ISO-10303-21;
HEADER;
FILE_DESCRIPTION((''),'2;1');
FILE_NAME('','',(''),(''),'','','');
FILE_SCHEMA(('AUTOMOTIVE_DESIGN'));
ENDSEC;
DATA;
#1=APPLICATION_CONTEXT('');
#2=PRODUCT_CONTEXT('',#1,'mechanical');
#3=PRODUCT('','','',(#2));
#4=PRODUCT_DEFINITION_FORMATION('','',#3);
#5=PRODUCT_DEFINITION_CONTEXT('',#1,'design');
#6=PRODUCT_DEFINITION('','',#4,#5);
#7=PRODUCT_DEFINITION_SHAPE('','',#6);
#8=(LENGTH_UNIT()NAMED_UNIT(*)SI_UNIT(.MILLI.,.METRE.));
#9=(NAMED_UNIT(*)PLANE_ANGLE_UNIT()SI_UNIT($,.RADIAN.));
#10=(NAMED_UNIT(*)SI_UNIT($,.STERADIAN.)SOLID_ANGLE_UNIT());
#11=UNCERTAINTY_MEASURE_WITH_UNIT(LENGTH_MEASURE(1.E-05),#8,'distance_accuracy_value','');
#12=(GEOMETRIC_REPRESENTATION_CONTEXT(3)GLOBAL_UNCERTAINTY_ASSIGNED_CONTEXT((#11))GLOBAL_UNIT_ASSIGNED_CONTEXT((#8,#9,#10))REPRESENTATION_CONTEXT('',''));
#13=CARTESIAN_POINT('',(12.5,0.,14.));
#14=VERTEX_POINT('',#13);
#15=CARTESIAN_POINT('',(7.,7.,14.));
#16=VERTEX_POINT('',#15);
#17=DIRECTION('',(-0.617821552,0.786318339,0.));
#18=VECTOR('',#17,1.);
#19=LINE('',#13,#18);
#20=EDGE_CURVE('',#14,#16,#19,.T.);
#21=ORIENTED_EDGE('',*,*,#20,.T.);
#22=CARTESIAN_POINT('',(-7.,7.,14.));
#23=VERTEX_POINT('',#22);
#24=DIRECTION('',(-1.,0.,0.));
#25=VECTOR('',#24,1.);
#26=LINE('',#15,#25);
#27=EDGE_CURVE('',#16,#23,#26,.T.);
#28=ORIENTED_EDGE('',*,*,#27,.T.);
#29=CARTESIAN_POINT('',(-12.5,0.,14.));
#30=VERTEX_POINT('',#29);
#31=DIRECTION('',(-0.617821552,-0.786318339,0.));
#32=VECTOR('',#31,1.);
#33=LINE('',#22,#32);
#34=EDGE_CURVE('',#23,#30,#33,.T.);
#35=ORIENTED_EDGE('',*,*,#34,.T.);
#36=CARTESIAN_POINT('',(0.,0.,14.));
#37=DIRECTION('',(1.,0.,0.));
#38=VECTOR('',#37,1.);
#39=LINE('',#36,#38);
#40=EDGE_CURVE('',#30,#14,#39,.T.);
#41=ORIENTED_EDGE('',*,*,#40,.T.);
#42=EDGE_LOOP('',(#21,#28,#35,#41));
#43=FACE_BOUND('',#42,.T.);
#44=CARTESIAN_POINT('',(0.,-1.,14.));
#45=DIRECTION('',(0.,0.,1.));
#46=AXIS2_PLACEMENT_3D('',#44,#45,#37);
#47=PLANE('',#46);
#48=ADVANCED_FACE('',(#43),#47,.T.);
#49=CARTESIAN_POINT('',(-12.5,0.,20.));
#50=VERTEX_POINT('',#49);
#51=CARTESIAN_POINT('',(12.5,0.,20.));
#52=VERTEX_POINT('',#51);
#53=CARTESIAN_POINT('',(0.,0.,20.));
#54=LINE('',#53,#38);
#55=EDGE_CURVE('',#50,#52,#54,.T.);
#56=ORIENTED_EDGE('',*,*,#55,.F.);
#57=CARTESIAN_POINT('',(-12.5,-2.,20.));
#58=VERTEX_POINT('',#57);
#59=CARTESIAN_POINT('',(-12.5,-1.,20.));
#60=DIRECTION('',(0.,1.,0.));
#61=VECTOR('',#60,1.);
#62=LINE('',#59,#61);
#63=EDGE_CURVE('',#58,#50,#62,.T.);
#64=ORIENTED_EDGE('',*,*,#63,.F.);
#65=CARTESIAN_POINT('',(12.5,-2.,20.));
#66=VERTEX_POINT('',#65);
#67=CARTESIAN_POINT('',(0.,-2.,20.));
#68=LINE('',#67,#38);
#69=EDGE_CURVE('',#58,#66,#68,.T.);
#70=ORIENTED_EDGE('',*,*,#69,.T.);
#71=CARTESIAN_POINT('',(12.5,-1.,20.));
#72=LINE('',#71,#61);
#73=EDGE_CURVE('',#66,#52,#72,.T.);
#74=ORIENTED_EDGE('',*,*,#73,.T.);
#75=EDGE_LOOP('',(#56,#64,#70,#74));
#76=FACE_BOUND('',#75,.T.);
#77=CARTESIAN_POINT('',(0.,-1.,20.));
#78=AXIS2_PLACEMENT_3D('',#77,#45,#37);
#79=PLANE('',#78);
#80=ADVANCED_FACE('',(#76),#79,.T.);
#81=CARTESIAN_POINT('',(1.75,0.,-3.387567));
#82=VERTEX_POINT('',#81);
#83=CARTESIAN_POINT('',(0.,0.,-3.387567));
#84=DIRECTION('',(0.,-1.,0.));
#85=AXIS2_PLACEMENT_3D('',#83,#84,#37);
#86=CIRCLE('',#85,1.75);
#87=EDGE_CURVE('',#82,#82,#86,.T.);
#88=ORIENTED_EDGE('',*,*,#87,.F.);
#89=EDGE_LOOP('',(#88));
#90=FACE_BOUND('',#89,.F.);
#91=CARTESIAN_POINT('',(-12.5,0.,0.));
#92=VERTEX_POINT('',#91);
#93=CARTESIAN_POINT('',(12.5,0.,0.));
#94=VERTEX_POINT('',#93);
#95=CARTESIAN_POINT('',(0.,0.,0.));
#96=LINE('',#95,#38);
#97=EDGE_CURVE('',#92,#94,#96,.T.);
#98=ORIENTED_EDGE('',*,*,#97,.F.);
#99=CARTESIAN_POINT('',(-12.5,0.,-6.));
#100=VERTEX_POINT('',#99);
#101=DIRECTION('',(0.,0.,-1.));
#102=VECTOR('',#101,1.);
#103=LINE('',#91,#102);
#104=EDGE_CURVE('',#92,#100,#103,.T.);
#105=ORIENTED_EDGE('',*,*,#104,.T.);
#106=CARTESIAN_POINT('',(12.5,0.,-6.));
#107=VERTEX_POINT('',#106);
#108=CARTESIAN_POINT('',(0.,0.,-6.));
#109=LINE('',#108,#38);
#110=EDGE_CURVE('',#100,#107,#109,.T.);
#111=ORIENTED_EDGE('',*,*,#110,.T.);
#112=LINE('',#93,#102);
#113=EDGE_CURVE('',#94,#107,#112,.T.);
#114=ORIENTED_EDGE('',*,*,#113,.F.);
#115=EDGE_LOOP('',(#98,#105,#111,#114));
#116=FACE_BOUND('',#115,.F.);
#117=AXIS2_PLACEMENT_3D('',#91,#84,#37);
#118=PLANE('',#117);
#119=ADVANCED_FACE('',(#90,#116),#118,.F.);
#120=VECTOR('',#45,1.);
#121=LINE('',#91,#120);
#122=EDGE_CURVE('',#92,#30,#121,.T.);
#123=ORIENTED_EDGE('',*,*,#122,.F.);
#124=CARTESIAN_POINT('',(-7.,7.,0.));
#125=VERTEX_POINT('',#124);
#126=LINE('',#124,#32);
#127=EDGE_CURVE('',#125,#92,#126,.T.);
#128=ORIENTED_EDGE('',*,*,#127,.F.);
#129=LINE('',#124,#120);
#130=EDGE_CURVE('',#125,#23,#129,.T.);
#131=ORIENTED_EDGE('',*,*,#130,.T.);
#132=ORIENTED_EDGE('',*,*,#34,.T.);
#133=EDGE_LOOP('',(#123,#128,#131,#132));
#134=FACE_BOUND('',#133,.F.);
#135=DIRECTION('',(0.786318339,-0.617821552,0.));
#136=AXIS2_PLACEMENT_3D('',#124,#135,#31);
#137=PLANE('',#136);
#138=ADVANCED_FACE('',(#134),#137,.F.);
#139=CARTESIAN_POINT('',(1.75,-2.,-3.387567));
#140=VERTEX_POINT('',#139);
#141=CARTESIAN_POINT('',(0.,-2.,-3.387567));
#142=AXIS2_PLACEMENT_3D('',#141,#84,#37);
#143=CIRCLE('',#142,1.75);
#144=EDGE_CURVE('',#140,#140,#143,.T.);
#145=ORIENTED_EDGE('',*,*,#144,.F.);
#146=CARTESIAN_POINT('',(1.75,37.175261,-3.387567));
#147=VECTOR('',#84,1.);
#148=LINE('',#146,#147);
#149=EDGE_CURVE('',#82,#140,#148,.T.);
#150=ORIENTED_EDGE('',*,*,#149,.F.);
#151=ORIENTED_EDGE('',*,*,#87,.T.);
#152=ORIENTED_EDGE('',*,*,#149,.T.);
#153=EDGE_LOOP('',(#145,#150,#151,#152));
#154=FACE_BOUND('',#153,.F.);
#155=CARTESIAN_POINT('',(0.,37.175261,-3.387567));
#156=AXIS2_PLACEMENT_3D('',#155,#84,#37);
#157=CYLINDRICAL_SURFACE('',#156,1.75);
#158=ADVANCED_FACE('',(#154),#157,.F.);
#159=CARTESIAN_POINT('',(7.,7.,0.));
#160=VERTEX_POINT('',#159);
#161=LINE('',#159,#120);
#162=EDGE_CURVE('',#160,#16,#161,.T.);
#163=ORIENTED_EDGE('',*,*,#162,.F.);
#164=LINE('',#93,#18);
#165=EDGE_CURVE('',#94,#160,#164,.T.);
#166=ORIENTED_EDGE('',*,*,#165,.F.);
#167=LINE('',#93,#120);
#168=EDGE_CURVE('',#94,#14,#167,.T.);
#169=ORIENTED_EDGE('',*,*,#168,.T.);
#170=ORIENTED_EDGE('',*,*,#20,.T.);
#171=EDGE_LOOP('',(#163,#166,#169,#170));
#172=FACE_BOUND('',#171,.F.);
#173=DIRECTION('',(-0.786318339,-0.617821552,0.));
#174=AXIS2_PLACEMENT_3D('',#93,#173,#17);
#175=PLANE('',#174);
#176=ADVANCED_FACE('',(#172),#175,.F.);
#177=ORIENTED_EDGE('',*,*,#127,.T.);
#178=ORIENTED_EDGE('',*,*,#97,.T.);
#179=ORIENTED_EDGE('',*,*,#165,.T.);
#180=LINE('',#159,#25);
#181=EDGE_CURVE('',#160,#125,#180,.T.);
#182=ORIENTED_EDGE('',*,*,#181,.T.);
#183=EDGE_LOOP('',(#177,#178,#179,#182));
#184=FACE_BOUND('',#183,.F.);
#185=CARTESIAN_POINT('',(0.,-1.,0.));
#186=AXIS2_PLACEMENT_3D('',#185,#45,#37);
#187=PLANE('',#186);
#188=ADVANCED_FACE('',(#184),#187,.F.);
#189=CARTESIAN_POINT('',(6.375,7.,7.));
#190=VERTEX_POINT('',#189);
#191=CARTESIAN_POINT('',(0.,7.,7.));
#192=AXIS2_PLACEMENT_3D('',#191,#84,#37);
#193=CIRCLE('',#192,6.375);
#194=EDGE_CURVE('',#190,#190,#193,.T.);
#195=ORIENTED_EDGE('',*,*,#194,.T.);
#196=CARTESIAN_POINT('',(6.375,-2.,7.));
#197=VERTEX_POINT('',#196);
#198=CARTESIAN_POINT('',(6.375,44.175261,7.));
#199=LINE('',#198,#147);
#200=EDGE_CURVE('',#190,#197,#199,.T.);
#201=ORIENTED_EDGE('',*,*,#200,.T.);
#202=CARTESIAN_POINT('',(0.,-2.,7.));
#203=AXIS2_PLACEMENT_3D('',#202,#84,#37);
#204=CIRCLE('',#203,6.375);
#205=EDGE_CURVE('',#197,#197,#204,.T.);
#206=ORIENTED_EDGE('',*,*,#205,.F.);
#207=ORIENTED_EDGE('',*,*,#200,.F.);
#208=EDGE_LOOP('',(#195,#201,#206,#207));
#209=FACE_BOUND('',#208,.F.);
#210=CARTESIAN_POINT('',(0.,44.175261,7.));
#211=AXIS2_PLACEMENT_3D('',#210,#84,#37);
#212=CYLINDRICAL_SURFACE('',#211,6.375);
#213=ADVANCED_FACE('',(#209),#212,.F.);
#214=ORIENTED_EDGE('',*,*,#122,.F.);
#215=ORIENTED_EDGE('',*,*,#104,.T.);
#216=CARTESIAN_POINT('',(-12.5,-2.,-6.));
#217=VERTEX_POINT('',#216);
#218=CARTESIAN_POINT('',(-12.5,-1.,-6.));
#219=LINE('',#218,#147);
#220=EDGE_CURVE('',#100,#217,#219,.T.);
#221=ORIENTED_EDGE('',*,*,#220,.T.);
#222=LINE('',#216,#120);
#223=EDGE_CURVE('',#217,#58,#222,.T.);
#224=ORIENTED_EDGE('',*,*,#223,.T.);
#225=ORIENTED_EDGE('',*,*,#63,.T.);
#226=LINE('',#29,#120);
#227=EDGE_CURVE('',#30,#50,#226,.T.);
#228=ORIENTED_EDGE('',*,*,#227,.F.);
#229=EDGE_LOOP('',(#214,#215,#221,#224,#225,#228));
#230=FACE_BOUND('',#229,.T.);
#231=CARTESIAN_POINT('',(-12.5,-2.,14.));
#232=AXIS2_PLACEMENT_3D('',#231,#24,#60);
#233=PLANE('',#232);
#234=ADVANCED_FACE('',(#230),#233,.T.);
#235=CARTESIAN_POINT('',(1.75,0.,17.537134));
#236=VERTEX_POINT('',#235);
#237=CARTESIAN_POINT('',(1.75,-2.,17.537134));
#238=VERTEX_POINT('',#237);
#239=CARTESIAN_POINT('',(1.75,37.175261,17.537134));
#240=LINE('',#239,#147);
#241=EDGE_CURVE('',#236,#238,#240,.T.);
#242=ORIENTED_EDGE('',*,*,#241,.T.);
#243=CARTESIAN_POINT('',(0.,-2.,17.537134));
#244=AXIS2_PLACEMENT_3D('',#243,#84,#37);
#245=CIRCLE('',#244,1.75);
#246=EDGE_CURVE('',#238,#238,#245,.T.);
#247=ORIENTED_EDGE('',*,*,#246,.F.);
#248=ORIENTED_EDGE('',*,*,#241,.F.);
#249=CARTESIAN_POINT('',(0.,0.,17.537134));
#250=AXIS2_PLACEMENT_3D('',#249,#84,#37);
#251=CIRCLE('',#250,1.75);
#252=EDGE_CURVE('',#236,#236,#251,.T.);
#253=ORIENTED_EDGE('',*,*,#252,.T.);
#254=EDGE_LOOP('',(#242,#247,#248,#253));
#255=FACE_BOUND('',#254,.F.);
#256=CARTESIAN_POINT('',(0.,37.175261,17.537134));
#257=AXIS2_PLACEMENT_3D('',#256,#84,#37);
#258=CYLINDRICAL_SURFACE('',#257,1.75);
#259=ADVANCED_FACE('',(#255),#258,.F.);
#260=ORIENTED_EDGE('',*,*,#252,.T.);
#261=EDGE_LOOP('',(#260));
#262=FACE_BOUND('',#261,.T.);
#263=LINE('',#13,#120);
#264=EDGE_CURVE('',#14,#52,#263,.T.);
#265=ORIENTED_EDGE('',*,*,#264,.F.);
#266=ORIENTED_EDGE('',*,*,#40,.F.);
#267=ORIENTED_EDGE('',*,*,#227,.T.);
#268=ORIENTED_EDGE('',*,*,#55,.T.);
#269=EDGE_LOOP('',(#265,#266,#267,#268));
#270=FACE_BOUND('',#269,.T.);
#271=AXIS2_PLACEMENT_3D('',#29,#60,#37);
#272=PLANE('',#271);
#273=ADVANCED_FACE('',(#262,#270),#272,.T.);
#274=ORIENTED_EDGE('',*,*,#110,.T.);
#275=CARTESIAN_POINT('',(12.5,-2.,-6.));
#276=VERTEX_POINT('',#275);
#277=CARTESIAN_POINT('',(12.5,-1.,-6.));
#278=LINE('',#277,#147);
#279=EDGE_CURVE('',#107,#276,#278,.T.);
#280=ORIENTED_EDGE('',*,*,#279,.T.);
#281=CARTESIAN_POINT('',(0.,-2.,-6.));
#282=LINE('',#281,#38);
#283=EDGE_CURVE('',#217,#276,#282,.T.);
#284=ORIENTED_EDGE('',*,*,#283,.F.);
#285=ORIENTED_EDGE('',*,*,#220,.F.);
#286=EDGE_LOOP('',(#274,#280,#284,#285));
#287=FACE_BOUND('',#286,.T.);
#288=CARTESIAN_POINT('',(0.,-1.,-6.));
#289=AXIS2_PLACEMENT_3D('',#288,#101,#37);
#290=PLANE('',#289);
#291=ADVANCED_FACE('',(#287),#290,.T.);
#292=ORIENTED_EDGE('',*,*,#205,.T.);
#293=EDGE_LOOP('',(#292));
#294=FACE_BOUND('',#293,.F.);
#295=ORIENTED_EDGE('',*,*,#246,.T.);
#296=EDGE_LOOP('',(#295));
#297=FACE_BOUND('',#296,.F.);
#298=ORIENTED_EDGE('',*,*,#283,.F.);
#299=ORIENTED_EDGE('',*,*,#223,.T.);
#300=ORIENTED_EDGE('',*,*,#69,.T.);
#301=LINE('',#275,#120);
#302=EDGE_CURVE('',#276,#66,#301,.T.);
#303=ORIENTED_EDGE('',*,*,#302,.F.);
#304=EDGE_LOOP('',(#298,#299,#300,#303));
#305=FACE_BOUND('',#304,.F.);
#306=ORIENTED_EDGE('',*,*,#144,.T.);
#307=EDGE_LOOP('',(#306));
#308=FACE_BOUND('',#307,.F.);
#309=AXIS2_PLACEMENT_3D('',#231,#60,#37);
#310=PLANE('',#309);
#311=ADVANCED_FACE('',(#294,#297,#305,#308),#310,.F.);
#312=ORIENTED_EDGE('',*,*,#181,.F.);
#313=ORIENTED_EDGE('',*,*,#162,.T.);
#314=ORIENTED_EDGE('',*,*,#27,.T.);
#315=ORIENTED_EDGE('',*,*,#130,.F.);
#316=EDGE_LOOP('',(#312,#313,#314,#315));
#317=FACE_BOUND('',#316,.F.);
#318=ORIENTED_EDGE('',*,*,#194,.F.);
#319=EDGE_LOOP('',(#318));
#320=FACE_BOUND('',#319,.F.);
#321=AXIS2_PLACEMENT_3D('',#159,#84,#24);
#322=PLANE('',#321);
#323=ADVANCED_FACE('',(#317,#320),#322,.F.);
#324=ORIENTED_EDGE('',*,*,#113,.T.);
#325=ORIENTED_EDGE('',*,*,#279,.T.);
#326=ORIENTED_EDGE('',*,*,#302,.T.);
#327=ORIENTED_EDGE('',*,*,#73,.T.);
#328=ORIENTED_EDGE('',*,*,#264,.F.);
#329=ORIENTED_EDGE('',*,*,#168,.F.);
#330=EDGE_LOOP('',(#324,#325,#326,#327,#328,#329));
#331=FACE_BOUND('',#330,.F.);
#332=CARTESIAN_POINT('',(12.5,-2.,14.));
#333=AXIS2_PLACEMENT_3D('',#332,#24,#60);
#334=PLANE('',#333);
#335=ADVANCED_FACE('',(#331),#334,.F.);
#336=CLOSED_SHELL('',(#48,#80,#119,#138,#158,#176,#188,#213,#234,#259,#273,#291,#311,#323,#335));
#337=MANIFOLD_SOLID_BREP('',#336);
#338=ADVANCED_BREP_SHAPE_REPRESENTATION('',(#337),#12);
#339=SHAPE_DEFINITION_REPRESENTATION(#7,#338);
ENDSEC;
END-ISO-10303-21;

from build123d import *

# Parameters (mm, degrees)
F1_DEPTH = 14
F3_W     = 25
F3_H     = 2
F4_DEPTH = 6
F5_W     = 25
F5_H     = 2
F6_DEPTH = 6
F8_D     = 3.5
F10_D    = 3.5
F11_D    = 12.75


with BuildPart() as f1:
    # F0 (on Top) → F1 (new body)
    with BuildSketch(Plane.XY):
        Polygon((12.5, 0), (0, 0), (-12.5, 0), (-12.5, -2), (12.5, -2), align=None)
        Polygon((-12.5, 0), (0, 0), (12.5, 0), (7, 7), (0, 7), (-7, 7), align=None)
    extrude(amount=F1_DEPTH)

    # F3 (on face) → F4 (join)
    with BuildSketch(Plane(origin=(0, 0, 0), x_dir=(1, 0, 0), z_dir=(0, 0, -1))):
        with Locations((0, 1)):
            Rectangle(F3_W, F3_H)
    extrude(amount=F4_DEPTH)

    # F5 (on face) → F6 (join)
    with BuildSketch(Plane.XY.offset(14)):
        with Locations((0, -1)):
            Rectangle(F5_W, F5_H)
    extrude(amount=F6_DEPTH)

    # F8 (through all)
    with Locations(Plane(origin=(0, 0, 0), x_dir=(-1, 0, 0), z_dir=(0, 1, 0))):
        with Locations((0, -3.387567)):
            Hole(F8_D / 2)

    # F10 (through all)
    with Locations(Plane(origin=(0, 0, 0), x_dir=(-1, 0, 0), z_dir=(0, 1, 0))):
        with Locations((0, 17.537134)):
            Hole(F10_D / 2)

    # F11 (through all)
    with Locations(Plane(origin=(0, 7, 0), x_dir=(-1, 0, 0), z_dir=(0, 1, 0))):
        with Locations((0, 7)):
            Hole(F11_D / 2)


solid = f1.part
